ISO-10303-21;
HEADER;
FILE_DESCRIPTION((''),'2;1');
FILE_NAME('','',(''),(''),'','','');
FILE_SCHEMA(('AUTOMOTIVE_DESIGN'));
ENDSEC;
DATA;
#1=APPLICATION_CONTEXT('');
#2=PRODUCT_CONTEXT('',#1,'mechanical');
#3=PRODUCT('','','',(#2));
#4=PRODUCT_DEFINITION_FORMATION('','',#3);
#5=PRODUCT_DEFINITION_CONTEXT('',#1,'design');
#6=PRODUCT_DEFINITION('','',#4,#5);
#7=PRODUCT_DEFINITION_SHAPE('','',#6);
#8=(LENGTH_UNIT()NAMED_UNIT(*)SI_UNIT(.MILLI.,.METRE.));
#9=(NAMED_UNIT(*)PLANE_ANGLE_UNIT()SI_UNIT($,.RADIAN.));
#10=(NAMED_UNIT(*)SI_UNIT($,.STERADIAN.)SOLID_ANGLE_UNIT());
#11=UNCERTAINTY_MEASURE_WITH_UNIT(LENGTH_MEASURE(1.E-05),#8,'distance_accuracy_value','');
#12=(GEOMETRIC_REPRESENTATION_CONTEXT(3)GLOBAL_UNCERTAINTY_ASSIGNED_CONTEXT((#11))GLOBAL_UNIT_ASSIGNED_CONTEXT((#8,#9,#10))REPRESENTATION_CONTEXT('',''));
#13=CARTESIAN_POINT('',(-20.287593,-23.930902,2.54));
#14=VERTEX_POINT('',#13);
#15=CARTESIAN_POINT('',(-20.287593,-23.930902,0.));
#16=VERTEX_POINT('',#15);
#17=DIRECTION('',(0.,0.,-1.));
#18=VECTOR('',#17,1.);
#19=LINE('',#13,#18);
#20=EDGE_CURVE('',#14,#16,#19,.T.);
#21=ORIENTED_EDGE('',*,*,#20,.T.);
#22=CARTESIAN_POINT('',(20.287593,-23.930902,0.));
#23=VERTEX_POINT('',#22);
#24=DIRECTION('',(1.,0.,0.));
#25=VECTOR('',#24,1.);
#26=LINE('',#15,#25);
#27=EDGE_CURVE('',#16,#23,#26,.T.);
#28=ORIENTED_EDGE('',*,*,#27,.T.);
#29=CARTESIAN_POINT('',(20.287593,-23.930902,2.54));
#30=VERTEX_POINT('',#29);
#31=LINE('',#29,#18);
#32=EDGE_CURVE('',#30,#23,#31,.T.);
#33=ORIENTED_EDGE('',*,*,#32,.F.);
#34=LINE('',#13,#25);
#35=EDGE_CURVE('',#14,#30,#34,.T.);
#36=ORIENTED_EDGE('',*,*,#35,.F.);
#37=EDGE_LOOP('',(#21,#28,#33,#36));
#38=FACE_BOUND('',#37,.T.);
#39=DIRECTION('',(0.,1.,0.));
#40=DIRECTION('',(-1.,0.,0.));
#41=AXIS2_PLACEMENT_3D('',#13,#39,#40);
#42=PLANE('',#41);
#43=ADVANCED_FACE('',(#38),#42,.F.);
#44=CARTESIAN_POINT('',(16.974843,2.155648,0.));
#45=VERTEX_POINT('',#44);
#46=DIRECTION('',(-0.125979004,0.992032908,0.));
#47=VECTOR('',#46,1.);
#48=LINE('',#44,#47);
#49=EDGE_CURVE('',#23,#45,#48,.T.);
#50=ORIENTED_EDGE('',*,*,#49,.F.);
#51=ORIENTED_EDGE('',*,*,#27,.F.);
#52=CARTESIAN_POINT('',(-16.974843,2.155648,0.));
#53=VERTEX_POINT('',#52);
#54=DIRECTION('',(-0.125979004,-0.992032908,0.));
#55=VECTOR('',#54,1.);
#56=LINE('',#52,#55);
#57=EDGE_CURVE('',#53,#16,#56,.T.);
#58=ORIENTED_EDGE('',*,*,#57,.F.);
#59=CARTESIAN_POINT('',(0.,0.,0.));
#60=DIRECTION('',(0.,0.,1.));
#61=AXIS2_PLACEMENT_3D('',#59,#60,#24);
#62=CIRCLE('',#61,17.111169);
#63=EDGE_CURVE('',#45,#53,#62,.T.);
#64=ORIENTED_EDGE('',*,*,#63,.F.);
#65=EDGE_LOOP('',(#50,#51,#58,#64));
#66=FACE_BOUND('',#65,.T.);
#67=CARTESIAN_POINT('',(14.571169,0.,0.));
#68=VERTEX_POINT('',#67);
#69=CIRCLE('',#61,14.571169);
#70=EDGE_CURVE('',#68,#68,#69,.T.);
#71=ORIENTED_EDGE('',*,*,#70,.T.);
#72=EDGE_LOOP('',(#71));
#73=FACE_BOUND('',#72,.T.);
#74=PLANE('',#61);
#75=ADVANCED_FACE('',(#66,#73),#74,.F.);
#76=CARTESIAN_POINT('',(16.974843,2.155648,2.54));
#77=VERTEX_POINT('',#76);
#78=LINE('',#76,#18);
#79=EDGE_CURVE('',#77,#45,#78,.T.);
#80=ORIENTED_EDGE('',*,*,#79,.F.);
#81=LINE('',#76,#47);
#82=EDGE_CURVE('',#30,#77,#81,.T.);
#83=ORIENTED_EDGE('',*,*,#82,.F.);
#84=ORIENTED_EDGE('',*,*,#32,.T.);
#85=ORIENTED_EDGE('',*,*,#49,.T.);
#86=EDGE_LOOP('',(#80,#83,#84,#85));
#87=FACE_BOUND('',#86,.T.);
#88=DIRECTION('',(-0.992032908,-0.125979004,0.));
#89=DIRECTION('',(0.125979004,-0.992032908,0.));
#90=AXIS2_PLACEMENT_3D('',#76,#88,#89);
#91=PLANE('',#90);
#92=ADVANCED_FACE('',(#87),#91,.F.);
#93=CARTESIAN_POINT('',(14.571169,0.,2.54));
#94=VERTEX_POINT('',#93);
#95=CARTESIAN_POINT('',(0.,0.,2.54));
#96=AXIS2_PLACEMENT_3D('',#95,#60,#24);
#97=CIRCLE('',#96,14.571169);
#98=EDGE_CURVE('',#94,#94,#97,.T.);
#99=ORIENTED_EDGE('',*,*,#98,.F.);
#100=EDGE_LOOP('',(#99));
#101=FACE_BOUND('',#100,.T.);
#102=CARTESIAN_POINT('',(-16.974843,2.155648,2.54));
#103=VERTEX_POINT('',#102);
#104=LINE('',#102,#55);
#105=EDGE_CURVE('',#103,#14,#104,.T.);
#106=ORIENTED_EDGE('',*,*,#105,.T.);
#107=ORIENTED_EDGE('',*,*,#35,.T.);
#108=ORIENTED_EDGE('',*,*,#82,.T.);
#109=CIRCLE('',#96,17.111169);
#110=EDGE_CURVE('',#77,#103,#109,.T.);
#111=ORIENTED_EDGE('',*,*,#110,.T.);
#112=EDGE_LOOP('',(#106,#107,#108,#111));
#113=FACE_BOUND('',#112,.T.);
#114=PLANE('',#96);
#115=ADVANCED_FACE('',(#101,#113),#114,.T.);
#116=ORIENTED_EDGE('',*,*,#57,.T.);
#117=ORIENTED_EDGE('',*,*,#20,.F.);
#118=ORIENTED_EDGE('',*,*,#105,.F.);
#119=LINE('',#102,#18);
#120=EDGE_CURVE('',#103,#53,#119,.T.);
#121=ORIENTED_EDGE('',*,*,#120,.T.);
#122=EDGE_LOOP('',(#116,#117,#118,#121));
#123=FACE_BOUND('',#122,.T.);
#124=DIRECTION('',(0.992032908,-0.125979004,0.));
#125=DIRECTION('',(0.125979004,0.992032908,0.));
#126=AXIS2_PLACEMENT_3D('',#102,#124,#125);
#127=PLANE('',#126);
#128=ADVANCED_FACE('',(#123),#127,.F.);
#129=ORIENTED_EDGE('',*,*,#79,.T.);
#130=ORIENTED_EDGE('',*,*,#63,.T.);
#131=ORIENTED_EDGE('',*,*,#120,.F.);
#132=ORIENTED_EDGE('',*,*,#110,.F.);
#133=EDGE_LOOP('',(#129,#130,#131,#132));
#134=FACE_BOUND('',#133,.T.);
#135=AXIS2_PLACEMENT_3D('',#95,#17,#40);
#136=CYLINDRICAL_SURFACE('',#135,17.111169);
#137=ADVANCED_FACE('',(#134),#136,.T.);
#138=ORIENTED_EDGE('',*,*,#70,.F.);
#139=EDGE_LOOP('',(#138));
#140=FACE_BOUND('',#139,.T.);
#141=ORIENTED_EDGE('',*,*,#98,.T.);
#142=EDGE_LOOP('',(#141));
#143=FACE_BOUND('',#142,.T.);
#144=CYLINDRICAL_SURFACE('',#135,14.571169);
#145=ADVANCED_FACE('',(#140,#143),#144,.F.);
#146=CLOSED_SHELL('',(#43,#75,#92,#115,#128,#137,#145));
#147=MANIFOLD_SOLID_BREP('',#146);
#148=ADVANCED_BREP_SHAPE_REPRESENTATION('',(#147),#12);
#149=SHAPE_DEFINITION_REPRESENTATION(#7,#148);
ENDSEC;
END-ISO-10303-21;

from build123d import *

# Parameters (mm, degrees)
SKETCH1_R           = 14.571169074
BOSS_EXTRUDE1_DEPTH = 2.54


with BuildPart() as part:
    # Sketch1 → Boss-Extrude1 (new body)
    with BuildSketch(Plane.XY):
        with BuildLine():
            Line((-16.974842815, 2.155648038), (-20.287593364, -23.930901742))
            Line((-20.287593364, -23.930901742), (20.287593364, -23.930901742))
            Line((20.287593364, -23.930901742), (16.974842815, 2.155648038))
            ThreePointArc((16.974842815, 2.155648038), (0, 17.111169074), (-16.974842815, 2.155648038))
        make_face()
        Circle(SKETCH1_R, mode=Mode.SUBTRACT)
    extrude(amount=BOSS_EXTRUDE1_DEPTH)


solid = part.part
